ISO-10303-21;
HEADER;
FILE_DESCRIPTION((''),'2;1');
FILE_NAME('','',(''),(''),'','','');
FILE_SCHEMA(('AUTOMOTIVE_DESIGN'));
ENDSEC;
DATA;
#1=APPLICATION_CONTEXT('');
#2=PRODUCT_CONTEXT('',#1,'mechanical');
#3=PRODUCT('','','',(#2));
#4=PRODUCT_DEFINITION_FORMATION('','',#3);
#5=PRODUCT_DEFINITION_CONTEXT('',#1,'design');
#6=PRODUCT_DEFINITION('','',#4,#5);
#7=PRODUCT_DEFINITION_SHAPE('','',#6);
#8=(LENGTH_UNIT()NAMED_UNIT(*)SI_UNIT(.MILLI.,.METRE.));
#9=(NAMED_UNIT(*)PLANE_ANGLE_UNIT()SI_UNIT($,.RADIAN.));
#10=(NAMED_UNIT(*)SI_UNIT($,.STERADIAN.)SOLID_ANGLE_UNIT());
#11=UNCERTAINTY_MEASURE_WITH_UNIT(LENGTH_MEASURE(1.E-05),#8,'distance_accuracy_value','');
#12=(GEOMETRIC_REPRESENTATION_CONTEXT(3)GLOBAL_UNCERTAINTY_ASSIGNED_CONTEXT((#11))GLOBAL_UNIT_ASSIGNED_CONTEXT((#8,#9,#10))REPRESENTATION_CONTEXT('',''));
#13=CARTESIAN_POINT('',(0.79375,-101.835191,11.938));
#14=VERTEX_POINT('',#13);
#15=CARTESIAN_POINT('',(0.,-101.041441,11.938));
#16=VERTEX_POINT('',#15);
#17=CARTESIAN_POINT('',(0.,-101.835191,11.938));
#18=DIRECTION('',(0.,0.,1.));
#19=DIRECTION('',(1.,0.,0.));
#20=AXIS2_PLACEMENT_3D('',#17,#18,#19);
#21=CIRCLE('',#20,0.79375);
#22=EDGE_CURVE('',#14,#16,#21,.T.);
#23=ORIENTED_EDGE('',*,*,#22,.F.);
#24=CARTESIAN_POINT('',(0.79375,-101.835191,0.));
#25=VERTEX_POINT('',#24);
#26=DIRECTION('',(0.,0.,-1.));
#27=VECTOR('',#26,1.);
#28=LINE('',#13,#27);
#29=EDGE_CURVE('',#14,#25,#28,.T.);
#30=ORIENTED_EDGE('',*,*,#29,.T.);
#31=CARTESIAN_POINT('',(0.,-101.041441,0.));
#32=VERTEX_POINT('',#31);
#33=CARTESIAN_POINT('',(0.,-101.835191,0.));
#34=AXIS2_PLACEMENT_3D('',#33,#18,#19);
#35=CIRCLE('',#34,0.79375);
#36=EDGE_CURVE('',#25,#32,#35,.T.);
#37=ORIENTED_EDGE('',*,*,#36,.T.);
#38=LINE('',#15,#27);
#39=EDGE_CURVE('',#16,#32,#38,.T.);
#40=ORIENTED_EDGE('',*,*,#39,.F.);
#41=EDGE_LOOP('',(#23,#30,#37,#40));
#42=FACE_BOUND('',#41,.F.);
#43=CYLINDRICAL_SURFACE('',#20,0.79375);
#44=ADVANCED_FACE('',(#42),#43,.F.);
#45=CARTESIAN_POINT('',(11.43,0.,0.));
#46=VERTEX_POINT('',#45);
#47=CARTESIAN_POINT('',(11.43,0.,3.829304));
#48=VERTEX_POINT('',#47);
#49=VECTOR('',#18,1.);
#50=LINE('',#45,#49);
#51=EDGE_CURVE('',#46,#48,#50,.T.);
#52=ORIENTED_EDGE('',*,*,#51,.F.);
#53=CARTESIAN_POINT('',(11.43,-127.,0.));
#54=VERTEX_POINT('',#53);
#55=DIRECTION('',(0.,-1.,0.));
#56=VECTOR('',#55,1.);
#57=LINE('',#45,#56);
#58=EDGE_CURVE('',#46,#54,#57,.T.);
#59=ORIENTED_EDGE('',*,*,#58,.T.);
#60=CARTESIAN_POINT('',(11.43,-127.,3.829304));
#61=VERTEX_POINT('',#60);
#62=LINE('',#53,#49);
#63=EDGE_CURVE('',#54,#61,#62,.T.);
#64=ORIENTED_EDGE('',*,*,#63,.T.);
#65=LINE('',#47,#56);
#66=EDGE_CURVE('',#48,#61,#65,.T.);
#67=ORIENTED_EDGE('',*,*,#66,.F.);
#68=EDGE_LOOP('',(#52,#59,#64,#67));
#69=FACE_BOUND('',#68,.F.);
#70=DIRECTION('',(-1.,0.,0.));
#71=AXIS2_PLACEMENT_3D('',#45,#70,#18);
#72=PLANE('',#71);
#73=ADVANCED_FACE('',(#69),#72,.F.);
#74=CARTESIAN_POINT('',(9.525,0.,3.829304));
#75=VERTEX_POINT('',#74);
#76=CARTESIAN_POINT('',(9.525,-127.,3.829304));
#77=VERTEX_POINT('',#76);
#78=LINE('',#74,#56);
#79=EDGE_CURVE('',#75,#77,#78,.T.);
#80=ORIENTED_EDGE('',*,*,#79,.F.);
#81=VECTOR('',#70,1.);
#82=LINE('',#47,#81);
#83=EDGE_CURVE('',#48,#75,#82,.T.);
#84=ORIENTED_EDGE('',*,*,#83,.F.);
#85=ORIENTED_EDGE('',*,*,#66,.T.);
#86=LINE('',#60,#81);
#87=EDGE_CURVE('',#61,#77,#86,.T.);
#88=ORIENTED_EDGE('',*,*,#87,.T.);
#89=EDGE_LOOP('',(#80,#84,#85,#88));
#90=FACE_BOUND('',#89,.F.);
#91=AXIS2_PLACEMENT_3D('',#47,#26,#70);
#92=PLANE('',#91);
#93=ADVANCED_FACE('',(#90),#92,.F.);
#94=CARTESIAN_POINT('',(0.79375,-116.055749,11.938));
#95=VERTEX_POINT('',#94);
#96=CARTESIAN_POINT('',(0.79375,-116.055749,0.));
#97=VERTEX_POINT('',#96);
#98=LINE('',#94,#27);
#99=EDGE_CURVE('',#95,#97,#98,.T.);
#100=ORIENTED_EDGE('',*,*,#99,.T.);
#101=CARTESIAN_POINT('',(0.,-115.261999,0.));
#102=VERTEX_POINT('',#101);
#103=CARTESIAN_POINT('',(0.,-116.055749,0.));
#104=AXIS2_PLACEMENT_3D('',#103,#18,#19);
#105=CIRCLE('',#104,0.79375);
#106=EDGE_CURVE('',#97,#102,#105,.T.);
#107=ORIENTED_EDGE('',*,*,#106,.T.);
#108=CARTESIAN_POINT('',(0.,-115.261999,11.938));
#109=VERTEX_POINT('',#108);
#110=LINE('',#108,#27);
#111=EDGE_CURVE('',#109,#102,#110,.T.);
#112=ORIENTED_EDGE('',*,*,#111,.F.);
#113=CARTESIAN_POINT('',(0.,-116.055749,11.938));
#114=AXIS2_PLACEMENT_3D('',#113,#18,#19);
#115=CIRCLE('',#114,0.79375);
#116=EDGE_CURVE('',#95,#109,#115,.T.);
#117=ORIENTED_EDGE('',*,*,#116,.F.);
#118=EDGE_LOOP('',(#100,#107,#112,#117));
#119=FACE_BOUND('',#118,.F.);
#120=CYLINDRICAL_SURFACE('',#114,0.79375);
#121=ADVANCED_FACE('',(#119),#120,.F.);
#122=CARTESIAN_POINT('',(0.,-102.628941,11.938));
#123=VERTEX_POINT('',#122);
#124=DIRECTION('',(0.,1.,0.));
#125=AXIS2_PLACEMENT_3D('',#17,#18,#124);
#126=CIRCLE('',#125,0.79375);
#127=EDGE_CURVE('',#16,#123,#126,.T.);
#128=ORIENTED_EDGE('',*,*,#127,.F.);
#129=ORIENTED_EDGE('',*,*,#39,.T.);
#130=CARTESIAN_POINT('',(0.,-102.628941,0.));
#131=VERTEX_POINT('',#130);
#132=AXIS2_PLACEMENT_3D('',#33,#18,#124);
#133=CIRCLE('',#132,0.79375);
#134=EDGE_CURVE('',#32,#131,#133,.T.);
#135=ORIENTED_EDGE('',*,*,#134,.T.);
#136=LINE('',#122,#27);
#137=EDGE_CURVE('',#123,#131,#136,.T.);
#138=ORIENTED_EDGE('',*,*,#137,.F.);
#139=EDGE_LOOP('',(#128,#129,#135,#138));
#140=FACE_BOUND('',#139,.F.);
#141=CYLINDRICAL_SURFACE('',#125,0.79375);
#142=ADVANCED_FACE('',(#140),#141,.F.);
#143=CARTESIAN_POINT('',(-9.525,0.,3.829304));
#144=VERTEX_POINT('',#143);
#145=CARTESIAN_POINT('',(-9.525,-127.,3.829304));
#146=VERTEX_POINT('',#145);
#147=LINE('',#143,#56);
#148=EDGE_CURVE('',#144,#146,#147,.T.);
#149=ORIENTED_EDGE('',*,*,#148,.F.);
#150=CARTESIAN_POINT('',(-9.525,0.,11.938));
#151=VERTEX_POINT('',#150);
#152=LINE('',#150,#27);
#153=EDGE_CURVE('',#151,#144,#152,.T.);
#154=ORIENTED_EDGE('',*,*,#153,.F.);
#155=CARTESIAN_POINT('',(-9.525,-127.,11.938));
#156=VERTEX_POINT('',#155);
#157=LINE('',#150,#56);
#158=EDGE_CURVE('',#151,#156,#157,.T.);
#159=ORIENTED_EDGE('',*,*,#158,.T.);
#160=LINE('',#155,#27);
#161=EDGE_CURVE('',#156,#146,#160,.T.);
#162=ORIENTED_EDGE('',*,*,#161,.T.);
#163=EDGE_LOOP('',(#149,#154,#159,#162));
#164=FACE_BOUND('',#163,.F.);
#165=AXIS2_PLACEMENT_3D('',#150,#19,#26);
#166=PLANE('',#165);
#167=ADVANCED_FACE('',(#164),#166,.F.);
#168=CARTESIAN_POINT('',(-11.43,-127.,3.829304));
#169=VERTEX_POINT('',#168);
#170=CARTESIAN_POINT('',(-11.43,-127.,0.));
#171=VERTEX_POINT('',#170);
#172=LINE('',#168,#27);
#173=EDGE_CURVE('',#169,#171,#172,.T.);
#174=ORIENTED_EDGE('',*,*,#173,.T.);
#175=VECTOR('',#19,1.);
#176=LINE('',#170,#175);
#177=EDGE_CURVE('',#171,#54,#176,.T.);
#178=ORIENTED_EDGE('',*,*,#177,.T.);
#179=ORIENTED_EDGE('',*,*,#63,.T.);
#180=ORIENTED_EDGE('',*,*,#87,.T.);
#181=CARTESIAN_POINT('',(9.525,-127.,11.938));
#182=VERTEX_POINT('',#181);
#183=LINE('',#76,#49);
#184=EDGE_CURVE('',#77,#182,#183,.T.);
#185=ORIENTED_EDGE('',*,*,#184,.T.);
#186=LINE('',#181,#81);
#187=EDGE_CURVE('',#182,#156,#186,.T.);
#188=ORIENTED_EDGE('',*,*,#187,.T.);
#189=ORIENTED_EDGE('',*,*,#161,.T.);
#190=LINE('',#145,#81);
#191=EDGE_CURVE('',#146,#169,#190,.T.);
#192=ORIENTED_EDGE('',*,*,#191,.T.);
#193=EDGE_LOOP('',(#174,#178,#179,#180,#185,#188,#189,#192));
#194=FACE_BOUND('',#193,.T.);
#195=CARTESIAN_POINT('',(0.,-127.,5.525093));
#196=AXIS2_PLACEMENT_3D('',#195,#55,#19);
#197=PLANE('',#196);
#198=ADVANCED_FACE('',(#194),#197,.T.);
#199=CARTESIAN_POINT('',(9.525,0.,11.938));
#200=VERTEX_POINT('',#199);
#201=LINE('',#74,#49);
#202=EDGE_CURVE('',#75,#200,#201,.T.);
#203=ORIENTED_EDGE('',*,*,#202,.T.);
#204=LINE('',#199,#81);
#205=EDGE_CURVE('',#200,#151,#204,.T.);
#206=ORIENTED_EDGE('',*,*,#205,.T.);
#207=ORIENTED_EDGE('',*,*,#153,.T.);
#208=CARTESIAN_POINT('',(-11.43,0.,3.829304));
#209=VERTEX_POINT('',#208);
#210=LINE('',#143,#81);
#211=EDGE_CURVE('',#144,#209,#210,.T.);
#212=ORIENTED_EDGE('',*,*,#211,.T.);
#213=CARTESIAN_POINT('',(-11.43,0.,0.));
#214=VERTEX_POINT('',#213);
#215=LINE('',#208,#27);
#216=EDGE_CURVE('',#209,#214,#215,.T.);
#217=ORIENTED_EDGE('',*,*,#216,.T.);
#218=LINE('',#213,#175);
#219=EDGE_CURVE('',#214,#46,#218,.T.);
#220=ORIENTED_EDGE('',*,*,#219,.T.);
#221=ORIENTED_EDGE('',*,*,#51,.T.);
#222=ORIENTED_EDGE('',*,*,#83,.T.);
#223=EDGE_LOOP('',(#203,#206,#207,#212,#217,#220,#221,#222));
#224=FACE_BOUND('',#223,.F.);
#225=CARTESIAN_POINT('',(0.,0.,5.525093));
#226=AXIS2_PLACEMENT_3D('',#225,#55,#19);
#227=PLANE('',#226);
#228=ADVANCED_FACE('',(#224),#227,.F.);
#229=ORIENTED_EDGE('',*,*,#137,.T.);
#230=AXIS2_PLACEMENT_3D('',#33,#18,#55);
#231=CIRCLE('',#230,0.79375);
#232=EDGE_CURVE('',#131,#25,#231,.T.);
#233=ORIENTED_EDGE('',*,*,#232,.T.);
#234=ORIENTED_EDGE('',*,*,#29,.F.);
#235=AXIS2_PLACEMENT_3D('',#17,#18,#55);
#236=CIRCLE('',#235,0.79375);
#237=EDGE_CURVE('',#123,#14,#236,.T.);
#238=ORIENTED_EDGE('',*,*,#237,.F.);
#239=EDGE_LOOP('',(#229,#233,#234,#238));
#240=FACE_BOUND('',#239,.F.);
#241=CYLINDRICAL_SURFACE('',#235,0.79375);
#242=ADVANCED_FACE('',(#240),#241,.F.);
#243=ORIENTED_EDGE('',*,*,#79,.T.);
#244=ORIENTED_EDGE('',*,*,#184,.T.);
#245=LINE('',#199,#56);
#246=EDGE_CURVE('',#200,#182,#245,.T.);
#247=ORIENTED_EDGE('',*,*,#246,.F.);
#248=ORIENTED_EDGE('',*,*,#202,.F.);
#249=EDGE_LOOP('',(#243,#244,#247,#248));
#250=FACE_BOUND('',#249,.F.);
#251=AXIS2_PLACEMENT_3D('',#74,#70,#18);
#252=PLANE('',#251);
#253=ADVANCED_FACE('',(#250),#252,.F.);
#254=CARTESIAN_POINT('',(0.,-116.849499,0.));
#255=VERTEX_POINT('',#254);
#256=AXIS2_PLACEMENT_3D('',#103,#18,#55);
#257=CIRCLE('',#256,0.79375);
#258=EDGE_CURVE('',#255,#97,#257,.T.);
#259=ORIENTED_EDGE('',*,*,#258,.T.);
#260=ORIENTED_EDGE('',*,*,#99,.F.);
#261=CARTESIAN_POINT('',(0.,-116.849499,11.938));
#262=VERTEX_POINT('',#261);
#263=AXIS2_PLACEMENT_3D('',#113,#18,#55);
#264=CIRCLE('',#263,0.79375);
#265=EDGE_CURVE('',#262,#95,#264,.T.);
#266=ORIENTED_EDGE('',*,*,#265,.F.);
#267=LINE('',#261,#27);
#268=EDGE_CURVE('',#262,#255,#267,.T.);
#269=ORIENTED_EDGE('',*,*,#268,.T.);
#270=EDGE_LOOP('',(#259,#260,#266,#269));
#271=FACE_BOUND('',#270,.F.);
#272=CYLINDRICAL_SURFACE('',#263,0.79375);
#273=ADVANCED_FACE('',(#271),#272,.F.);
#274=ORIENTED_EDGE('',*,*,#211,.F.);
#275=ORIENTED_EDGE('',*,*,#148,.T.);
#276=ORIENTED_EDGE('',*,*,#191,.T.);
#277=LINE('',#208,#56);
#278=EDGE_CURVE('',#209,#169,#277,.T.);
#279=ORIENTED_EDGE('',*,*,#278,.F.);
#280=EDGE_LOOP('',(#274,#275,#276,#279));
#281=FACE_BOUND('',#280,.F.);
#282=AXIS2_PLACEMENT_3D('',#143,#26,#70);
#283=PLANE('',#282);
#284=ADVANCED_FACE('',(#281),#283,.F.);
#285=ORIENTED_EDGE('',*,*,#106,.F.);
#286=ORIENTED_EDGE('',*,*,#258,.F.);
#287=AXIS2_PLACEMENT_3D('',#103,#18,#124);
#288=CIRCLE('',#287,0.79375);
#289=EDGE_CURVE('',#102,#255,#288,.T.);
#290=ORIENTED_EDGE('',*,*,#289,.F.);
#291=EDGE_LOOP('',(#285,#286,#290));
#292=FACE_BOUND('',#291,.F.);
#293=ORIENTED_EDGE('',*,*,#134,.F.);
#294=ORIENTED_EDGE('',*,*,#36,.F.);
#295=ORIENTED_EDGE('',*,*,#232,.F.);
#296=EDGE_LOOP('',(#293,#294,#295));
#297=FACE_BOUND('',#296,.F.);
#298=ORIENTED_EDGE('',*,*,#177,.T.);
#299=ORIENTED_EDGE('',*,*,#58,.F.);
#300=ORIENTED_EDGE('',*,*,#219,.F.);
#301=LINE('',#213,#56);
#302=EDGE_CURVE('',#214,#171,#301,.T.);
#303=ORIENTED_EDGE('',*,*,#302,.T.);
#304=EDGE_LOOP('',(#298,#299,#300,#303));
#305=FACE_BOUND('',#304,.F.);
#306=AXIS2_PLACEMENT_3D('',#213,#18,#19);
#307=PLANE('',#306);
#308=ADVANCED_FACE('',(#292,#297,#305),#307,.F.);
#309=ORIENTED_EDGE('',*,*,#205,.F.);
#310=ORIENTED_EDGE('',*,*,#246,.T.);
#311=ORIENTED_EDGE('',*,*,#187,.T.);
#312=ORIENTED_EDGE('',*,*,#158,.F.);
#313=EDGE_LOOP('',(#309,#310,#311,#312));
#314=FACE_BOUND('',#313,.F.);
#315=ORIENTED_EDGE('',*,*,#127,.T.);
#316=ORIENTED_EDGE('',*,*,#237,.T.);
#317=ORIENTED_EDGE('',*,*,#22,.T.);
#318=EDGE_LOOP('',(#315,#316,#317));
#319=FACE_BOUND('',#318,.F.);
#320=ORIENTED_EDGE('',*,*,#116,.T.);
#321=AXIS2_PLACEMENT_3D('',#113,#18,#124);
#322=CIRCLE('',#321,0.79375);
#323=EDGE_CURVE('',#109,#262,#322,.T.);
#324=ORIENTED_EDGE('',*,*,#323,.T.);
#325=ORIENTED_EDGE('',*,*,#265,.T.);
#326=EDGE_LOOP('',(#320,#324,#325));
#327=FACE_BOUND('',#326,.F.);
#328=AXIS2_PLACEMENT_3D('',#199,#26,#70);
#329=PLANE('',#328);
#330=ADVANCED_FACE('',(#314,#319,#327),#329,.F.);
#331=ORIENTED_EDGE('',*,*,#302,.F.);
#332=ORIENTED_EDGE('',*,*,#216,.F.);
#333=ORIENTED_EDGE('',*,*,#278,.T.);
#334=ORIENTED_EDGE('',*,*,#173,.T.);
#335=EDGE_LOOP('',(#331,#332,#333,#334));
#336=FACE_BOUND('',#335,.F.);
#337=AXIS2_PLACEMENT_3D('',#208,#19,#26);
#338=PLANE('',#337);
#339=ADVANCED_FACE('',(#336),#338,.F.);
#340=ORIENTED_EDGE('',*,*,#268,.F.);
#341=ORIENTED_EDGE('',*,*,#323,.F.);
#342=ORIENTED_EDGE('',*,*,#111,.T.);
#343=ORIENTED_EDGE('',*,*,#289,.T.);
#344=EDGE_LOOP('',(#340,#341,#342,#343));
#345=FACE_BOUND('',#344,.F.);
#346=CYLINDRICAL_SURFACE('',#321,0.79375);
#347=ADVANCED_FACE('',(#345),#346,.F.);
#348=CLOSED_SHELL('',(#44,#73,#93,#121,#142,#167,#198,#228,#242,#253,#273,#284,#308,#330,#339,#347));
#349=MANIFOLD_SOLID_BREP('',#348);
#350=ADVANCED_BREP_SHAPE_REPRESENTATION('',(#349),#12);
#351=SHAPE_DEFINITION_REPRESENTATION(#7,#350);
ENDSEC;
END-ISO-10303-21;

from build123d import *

# Parameters (mm, degrees)
F1_DEPTH = 127
F3_DEPTH = 25.4


with BuildPart() as f1:
    # F0 (on Front) → F1 (new body)
    with BuildSketch(Plane.XZ):
        Polygon((-11.43, 0), (0, 0), (11.43, 0), (11.43, 3.829304), (9.525, 3.829304), (9.525, 11.938), (-9.525, 11.938), (-9.525, 3.829304), (-11.43, 3.829304), align=None)
    extrude(amount=F1_DEPTH)

    # F2 (on face) → F3 (cut)
    with BuildSketch(Plane.XY.offset(11.938)):
        with BuildLine():
            ThreePointArc((0.79375, -101.8351912498), (0.5612660076, -101.2739252423), (0, -101.0414412498))
            Line((0, -101.0414412498), (0, -102.6289412498))
            ThreePointArc((0, -102.6289412498), (0.5612660076, -102.3964572574), (0.79375, -101.8351912498))
        make_face()
        with BuildLine():
            Line((0, -102.6289412498), (0, -101.0414412498))
            ThreePointArc((0, -101.0414412498), (-0.79375, -101.8351912498), (0, -102.6289412498))
        make_face()
        with BuildLine():
            Line((0, -116.8494993567), (0, -115.2619993567))
            ThreePointArc((0, -115.2619993567), (-0.79375, -116.0557493567), (0, -116.8494993567))
        make_face()
        with BuildLine():
            ThreePointArc((0.79375, -116.0557493567), (0.5612660076, -115.4944833492), (0, -115.2619993567))
            Line((0, -115.2619993567), (0, -116.8494993567))
            ThreePointArc((0, -116.8494993567), (0.5612660076, -116.6170153643), (0.79375, -116.0557493567))
        make_face()
    extrude(amount=-F3_DEPTH, mode=Mode.SUBTRACT)


solid = f1.part
